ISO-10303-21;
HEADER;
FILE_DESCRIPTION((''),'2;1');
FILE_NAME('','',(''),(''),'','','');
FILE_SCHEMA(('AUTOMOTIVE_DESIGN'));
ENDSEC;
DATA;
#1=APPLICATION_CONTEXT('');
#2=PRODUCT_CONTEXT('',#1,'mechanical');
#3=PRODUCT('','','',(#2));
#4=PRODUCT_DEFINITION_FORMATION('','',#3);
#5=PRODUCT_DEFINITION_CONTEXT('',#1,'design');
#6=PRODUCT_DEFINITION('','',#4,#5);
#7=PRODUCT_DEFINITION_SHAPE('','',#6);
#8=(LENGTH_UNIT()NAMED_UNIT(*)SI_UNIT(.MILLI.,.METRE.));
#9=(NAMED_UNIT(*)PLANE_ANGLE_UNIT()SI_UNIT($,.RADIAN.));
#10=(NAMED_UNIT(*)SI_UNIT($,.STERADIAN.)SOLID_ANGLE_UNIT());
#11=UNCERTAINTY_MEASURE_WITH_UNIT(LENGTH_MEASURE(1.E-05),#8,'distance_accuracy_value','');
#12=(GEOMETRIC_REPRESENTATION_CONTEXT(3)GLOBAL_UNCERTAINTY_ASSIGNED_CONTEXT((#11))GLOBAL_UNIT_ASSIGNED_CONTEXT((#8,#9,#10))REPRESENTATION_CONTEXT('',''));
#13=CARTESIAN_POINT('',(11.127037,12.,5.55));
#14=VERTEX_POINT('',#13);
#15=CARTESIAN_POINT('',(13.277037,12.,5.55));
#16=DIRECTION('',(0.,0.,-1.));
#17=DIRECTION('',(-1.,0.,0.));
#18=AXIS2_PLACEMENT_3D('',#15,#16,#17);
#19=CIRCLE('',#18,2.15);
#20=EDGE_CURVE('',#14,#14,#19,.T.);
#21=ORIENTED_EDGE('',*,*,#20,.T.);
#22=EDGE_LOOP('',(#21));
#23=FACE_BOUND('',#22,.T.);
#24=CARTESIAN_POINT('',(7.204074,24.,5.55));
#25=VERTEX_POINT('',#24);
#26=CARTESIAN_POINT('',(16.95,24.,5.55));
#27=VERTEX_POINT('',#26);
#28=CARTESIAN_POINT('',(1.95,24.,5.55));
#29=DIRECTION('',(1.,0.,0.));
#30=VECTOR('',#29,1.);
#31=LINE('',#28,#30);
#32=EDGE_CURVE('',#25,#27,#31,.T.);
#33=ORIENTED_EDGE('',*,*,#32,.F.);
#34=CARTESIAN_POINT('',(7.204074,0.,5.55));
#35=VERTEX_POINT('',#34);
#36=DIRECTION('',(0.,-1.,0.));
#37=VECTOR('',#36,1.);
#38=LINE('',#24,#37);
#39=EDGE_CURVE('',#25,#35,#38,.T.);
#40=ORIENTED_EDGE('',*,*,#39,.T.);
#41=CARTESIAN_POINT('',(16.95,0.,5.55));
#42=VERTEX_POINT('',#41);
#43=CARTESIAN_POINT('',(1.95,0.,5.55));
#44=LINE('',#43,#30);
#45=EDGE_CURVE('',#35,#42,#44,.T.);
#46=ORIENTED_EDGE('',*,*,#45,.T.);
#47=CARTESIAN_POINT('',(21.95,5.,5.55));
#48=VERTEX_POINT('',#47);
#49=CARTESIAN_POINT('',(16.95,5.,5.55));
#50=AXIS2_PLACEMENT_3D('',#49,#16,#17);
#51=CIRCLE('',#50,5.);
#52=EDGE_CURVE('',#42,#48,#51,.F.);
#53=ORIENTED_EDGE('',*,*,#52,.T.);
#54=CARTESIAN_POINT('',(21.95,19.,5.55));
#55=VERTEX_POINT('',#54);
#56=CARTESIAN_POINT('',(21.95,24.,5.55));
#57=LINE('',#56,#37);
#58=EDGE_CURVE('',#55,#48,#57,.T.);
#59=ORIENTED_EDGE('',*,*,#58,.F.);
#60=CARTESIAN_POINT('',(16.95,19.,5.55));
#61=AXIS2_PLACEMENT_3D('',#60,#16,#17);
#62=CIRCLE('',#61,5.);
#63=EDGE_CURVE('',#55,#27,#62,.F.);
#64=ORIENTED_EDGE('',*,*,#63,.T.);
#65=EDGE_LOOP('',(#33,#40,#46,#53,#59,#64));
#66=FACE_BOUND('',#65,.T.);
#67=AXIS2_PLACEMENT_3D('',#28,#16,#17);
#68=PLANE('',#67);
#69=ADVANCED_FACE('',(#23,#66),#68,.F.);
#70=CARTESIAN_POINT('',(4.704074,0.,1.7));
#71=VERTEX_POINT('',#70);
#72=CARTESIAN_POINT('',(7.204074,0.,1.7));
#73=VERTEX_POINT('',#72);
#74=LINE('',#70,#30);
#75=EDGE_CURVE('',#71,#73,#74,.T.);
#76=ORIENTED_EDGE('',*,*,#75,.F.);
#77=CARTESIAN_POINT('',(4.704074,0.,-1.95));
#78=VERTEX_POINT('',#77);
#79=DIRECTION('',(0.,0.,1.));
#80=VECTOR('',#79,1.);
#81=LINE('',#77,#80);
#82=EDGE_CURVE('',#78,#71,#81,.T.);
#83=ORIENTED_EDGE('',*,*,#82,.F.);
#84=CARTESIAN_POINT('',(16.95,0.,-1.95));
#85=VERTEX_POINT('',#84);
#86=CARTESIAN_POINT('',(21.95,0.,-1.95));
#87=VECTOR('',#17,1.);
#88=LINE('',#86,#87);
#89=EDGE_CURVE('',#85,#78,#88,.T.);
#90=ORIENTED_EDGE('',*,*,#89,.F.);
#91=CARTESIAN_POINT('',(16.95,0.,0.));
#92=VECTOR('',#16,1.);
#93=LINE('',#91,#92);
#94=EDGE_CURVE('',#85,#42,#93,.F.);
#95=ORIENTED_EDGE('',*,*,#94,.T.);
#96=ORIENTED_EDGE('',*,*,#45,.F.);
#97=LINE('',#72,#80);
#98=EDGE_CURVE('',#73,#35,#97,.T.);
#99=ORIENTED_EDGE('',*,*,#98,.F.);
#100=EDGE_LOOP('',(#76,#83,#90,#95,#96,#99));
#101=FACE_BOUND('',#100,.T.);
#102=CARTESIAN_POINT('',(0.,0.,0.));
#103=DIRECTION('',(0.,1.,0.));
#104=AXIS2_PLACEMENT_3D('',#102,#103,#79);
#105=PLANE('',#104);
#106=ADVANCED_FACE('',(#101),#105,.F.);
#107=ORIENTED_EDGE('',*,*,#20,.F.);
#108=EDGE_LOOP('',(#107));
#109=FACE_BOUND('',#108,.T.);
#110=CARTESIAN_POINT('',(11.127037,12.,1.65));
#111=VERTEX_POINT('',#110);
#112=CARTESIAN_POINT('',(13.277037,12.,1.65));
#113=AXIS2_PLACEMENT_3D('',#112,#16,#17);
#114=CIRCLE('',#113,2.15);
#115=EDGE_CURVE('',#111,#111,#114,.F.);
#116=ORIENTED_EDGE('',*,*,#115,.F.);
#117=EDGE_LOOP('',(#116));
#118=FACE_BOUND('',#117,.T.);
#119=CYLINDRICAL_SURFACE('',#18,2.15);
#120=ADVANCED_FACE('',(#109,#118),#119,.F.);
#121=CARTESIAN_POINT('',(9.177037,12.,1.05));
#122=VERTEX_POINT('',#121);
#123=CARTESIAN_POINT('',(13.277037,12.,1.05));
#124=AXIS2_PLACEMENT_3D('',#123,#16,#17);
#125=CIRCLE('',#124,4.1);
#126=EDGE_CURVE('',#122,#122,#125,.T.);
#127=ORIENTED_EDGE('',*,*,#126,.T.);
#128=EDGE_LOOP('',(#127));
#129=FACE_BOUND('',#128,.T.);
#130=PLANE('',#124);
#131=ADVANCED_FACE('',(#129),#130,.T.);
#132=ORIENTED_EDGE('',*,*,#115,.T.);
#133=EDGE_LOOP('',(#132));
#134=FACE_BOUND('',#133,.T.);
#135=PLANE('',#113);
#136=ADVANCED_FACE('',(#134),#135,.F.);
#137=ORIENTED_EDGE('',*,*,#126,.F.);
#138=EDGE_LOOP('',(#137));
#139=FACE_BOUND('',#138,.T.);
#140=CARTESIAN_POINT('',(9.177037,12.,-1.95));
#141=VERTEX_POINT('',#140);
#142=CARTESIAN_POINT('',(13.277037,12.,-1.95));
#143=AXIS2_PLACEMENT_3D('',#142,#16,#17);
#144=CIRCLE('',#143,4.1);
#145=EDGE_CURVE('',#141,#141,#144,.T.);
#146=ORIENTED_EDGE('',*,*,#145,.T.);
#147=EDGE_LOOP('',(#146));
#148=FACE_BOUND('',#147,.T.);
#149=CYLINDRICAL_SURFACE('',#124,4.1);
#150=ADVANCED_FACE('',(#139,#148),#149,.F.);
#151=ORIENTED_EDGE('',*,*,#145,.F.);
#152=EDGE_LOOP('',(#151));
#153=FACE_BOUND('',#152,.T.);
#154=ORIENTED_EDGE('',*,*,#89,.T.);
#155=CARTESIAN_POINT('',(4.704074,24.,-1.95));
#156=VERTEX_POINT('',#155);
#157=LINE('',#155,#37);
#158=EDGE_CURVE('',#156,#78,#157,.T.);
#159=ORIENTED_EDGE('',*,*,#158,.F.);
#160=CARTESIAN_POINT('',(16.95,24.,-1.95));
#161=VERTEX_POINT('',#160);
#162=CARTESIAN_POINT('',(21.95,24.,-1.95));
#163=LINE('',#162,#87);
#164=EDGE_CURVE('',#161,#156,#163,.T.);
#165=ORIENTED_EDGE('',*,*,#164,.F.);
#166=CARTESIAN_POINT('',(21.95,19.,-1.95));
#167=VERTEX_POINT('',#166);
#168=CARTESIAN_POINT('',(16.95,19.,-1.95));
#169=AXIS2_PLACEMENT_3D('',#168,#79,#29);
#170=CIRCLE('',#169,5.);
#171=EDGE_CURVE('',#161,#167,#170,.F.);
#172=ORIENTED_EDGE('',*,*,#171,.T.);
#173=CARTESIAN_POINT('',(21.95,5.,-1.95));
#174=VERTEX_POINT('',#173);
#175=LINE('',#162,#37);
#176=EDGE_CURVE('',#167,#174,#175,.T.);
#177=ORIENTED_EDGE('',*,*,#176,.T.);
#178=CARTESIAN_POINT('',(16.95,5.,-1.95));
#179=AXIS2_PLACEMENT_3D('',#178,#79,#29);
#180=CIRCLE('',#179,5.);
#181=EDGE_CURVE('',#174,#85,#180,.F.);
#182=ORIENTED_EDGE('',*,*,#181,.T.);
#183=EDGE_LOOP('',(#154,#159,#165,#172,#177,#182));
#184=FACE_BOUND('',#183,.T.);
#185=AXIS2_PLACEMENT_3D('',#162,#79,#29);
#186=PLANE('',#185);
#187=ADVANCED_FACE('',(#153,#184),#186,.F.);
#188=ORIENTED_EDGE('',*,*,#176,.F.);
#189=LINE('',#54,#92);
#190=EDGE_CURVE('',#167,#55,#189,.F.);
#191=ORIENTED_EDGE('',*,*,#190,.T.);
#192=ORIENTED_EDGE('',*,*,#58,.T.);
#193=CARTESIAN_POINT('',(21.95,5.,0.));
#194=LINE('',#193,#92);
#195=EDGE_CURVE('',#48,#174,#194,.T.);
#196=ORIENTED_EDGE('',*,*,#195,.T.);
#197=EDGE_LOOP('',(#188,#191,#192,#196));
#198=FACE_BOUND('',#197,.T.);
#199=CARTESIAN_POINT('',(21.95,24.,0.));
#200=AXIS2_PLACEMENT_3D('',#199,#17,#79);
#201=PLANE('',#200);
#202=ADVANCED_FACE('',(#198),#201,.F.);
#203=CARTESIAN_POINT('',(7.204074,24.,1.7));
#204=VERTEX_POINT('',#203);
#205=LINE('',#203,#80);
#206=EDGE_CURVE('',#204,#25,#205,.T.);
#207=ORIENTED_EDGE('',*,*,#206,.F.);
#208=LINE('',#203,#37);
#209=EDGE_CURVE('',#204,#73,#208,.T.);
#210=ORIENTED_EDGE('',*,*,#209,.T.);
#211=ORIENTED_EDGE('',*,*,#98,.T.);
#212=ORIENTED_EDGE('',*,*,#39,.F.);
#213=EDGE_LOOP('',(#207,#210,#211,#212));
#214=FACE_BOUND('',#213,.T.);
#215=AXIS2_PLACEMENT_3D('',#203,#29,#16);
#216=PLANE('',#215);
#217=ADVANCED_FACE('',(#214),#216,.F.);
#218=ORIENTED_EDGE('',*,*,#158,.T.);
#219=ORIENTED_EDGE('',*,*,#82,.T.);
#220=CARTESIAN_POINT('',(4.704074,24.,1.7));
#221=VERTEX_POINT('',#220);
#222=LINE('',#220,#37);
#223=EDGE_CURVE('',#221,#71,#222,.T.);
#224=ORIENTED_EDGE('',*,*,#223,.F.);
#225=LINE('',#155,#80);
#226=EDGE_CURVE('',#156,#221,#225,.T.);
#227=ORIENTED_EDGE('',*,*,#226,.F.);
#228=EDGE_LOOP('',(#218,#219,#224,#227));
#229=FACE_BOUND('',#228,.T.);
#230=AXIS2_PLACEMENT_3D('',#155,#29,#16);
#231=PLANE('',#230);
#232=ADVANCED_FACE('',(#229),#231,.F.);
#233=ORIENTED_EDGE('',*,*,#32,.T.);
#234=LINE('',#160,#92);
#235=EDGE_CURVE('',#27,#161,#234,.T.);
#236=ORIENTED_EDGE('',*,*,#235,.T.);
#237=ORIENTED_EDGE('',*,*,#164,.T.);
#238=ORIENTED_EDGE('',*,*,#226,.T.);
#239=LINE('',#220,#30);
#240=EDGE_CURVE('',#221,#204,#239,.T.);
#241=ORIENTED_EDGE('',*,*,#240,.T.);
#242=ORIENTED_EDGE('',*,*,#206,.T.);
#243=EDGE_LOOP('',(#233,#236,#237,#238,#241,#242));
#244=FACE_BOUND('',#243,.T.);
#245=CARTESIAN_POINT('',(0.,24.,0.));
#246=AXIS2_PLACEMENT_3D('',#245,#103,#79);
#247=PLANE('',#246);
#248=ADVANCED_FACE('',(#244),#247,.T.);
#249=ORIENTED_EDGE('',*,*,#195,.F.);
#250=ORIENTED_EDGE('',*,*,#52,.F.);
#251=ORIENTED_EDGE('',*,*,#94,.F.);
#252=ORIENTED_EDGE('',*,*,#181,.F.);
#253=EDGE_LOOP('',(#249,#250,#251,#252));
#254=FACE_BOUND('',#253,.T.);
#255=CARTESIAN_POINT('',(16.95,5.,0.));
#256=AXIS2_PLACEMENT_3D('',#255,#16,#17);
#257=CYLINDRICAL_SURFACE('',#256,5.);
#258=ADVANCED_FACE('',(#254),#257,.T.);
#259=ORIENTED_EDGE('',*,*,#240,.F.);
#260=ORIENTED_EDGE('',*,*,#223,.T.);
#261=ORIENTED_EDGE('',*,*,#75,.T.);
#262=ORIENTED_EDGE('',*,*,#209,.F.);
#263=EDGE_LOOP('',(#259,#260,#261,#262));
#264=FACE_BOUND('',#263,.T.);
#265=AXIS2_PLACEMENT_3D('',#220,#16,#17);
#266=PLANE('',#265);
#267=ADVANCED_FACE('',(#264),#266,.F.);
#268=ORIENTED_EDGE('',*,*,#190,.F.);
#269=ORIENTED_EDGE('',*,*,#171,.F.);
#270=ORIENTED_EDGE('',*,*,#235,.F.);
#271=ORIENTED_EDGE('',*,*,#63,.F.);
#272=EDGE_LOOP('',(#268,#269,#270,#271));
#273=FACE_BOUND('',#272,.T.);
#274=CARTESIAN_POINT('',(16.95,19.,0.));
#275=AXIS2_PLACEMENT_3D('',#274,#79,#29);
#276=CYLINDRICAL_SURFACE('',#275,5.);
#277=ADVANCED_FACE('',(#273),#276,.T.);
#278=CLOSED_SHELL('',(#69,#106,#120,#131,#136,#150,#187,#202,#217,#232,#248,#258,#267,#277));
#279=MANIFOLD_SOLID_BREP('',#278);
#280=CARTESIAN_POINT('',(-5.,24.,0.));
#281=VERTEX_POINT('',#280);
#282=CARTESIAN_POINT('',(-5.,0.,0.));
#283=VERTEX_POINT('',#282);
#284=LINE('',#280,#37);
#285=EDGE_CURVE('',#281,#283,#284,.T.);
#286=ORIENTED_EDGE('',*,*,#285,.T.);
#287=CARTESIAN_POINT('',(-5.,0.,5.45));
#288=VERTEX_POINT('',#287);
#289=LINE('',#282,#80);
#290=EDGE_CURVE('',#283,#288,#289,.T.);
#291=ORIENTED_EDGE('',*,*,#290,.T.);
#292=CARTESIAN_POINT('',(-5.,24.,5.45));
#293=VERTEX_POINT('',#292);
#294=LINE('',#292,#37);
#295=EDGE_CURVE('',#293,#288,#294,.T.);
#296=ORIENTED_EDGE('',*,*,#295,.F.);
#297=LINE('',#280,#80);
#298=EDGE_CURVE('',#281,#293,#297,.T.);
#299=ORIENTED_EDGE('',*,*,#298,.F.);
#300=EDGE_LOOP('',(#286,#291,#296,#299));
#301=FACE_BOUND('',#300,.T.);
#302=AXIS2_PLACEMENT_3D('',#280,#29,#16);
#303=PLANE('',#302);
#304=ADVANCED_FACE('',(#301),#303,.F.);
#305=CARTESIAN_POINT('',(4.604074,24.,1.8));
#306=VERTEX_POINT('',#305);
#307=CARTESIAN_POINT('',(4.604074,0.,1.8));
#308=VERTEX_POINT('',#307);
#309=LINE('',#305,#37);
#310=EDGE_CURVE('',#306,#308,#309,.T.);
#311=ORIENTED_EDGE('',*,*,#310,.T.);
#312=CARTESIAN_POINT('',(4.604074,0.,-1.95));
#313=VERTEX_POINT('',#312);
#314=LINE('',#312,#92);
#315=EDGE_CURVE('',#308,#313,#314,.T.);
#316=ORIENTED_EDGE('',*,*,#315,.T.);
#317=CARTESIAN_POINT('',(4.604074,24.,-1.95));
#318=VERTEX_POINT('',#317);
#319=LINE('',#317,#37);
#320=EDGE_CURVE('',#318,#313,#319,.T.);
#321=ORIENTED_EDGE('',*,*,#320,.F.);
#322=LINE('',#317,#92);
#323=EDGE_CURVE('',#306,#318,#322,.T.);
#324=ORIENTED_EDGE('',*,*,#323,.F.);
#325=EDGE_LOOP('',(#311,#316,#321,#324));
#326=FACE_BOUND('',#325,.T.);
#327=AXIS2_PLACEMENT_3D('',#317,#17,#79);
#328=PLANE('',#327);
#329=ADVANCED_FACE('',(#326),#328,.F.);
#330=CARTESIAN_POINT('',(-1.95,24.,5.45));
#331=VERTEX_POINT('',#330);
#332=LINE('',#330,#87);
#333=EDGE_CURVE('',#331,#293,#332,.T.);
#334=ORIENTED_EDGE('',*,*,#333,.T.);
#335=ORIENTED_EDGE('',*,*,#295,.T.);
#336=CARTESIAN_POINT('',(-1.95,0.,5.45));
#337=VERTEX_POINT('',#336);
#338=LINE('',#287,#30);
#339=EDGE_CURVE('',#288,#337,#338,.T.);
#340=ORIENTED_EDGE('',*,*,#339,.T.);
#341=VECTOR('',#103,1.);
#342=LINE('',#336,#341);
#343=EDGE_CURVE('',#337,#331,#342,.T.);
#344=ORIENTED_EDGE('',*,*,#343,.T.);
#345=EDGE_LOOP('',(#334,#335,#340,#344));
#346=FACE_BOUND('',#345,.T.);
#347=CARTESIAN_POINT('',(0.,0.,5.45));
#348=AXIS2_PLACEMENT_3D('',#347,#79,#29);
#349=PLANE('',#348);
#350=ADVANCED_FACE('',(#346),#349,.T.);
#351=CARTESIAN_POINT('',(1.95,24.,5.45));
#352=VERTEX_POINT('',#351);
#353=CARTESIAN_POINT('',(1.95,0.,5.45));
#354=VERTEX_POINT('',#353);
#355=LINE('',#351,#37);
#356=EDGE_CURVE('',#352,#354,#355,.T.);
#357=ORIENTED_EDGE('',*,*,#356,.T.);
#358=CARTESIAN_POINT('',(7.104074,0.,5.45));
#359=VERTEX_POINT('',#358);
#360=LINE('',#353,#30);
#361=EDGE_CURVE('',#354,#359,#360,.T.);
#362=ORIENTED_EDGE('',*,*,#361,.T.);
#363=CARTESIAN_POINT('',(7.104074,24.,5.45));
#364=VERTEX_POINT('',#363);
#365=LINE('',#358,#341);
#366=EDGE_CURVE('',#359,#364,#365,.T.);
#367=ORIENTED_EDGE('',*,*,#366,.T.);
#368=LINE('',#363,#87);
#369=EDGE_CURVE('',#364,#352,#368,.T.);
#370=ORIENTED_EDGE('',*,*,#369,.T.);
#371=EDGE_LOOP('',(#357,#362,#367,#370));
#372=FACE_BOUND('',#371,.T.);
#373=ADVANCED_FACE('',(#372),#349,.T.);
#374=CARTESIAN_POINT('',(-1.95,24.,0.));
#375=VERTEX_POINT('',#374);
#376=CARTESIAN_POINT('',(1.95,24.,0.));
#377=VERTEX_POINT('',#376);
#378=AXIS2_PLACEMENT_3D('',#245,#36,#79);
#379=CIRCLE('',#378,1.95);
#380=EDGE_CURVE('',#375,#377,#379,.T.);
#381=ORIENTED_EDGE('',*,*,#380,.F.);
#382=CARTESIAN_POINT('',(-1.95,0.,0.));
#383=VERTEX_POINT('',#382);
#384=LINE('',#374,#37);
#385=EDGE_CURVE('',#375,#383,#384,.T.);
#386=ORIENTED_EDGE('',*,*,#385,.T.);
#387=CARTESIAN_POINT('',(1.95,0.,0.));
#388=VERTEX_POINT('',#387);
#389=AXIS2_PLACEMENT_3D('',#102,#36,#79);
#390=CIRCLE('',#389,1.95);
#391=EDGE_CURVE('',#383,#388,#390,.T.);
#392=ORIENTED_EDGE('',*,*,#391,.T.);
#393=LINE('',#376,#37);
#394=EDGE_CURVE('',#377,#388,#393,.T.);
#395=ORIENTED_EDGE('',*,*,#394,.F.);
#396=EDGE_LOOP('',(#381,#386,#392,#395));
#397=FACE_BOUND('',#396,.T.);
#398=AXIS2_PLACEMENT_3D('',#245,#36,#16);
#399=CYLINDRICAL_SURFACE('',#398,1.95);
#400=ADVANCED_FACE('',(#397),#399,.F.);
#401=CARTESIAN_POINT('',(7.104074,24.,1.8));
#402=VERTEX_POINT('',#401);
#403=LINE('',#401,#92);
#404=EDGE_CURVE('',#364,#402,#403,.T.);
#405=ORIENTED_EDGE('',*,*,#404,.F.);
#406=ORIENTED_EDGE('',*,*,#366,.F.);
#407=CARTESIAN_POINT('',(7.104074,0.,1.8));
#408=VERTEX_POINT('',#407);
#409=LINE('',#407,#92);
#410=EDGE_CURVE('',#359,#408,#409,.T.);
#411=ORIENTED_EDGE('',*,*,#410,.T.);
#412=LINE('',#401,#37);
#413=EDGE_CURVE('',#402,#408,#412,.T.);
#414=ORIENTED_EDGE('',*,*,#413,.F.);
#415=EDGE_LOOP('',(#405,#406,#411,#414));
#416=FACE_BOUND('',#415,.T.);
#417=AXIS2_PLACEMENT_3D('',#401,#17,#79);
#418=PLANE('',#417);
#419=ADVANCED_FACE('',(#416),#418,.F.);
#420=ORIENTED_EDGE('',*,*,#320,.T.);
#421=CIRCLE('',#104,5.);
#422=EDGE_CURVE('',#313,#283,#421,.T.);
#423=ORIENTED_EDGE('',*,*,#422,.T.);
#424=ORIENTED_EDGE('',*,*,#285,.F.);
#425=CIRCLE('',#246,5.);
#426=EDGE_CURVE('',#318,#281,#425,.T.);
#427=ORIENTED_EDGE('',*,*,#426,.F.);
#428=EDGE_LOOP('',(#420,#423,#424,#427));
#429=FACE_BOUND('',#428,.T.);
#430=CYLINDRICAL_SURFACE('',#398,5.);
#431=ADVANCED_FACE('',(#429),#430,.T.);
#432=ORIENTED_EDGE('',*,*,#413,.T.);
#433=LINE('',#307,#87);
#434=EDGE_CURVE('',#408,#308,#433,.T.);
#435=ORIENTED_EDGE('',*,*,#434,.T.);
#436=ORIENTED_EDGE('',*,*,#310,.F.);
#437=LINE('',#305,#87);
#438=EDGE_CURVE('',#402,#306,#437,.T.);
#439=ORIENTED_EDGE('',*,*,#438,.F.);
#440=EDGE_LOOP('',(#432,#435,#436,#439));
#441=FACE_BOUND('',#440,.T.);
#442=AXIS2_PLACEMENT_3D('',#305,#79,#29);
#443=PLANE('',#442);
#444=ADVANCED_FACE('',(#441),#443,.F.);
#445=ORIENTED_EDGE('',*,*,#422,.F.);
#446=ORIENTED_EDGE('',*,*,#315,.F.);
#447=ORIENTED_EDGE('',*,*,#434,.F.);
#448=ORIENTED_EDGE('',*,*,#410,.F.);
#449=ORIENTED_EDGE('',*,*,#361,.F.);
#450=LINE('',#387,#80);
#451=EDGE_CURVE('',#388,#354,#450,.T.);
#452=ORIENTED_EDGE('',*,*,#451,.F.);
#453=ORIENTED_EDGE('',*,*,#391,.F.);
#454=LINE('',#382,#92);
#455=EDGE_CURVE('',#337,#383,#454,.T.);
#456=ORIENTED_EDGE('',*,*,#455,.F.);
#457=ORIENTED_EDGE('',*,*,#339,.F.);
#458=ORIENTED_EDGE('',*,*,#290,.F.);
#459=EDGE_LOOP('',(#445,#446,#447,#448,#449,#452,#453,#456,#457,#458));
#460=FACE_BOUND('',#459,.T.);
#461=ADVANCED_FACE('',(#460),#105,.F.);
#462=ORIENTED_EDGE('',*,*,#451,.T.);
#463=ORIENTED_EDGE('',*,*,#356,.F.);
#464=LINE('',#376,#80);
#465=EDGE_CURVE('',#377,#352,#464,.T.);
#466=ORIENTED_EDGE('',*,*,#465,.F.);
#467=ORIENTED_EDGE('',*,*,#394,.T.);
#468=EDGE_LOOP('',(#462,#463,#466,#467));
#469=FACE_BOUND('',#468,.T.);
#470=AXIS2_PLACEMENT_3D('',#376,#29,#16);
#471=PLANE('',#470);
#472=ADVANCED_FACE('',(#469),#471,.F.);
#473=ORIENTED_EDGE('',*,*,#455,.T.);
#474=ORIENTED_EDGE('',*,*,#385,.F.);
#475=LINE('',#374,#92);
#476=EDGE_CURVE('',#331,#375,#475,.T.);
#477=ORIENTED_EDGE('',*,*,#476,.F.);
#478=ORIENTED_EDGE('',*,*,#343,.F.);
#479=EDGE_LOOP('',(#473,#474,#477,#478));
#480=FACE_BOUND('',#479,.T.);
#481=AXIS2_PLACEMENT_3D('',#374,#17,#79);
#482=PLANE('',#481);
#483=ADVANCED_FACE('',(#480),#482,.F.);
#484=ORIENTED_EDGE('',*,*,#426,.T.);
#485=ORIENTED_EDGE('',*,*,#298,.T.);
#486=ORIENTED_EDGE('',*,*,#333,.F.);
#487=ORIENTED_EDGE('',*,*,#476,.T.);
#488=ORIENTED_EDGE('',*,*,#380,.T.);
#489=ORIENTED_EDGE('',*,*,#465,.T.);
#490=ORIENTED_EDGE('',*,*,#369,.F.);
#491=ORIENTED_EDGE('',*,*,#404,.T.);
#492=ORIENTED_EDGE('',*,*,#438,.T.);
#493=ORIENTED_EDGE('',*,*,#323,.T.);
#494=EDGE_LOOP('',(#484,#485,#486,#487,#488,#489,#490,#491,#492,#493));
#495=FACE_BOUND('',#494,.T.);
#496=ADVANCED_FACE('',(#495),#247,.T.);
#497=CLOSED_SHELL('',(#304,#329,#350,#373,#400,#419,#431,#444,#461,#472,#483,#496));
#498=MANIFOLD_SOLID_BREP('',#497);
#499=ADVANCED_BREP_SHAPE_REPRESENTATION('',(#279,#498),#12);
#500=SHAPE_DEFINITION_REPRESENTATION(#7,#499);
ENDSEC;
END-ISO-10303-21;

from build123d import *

# Parameters (mm, degrees)
BOSS_EXTRUDE3_DEPTH = 24
FILLET1_R           = 5
SKETCH10_R          = 4.1
CUT_EXTRUDE3_DEPTH  = 3
SKETCH11_R          = 2.15
CUT_EXTRUDE4_DEPTH  = 34.081792575
CUT_EXTRUDE5_DEPTH  = 33.994014609
SKETCH14_W          = 5.154074283
SKETCH14_H          = 24
SKETCH14_W_2        = 3.05
CUT_EXTRUDE6_DEPTH  = 0.1
SKETCH15_R          = 2.15
BOSS_EXTRUDE4_DEPTH = 0.6


with BuildPart() as part:
    # Sketch4 → Boss-Extrude3 (new body)
    with BuildSketch(Plane(origin=(0, 0, 0), x_dir=(1, 0, 0), z_dir=(0, 1, 0))):
        with BuildLine():
            Line((21.95, 0), (21.95, 1.95))
            Line((21.95, 1.95), (4.604074283, 1.95))
            ThreePointArc((4.604074283, 1.95), (-0.994894112, 4.90001895), (-5, 0))
            Line((-5, 0), (-5, -5.55))
            Line((-5, -5.55), (-1.95, -5.55))
            Line((-1.95, -5.55), (-1.95, 0))
            ThreePointArc((-1.95, 0), (0, 1.95), (1.95, 0))
            Line((1.95, 0), (1.95, -5.55))
            Line((1.95, -5.55), (21.95, -5.55))
            Line((21.95, -5.55), (21.95, 0))
        make_face()
    extrude(amount=BOSS_EXTRUDE3_DEPTH)

    # Fillet1
    fillet1_edges = [part.edges().sort_by_distance(p)[0] for p in [
        (21.95, 0, 1.8),
        (21.95, 24, 1.8),
    ]]
    fillet(fillet1_edges, radius=FILLET1_R)

    # Sketch10 → Cut-Extrude3 (cut)
    with BuildSketch(Plane(origin=(0, 0, -1.95), x_dir=(-1, 0, 0), z_dir=(0, 0, -1))):
        with Locations((-13.277037141, 12)):
            Circle(SKETCH10_R)
    extrude(amount=-CUT_EXTRUDE3_DEPTH, mode=Mode.SUBTRACT)

    # Sketch11 → Cut-Extrude4 (cut, through all)
    with BuildSketch(Plane(origin=(0, 0, 1.05), x_dir=(-1, 0, 0), z_dir=(0, 0, -1))):
        with Locations((-13.277037141, 12)):
            Circle(SKETCH11_R)
    extrude(amount=-CUT_EXTRUDE4_DEPTH, mode=Mode.SUBTRACT)

    # Sketch13 → Cut-Extrude5 (cut, through all)
    with BuildSketch(Plane.XZ):
        Polygon((4.604074283, -1.95), (4.604074283, 1.8), (7.104074283, 1.8), (7.104074283, 5.55), (7.204074283, 5.55), (7.204074283, 1.7), (4.704074283, 1.7), (4.704074283, -1.95), align=None)
    extrude(amount=-CUT_EXTRUDE5_DEPTH, mode=Mode.SUBTRACT)


with BuildPart() as cut_extrude5_piece_1:
    # of the separate pieces the step leaves, piece 1, a body of its own (cut_extrude5_pieces)
    add(part.part.solids().sort_by_distance((21.95, 5, -1.95))[0])

    # Sketch15 → Boss-Extrude4 (add)
    with BuildSketch(Plane(origin=(0, 0, 1.05), x_dir=(-1, 0, 0), z_dir=(0, 0, -1))):
        with Locations((-13.277037141, 12)):
            Circle(SKETCH15_R)
    extrude(amount=-BOSS_EXTRUDE4_DEPTH)


with BuildPart() as cut_extrude5_piece_2:
    # of the separate pieces the step leaves, piece 2, a body of its own (cut_extrude5_pieces)
    add(part.part.solids().sort_by_distance((4.604074283, 0, -1.95))[0])

    # Sketch14 → Cut-Extrude6 (cut)
    with BuildSketch(Plane.XY.offset(5.55)):
        with Locations((4.527037142, 12)):
            Rectangle(SKETCH14_W, SKETCH14_H)
        with Locations((-3.475, 12)):
            Rectangle(SKETCH14_W_2, SKETCH14_H)
    extrude(amount=-CUT_EXTRUDE6_DEPTH, mode=Mode.SUBTRACT)


solid = Compound([cut_extrude5_piece_1.part, cut_extrude5_piece_2.part])
